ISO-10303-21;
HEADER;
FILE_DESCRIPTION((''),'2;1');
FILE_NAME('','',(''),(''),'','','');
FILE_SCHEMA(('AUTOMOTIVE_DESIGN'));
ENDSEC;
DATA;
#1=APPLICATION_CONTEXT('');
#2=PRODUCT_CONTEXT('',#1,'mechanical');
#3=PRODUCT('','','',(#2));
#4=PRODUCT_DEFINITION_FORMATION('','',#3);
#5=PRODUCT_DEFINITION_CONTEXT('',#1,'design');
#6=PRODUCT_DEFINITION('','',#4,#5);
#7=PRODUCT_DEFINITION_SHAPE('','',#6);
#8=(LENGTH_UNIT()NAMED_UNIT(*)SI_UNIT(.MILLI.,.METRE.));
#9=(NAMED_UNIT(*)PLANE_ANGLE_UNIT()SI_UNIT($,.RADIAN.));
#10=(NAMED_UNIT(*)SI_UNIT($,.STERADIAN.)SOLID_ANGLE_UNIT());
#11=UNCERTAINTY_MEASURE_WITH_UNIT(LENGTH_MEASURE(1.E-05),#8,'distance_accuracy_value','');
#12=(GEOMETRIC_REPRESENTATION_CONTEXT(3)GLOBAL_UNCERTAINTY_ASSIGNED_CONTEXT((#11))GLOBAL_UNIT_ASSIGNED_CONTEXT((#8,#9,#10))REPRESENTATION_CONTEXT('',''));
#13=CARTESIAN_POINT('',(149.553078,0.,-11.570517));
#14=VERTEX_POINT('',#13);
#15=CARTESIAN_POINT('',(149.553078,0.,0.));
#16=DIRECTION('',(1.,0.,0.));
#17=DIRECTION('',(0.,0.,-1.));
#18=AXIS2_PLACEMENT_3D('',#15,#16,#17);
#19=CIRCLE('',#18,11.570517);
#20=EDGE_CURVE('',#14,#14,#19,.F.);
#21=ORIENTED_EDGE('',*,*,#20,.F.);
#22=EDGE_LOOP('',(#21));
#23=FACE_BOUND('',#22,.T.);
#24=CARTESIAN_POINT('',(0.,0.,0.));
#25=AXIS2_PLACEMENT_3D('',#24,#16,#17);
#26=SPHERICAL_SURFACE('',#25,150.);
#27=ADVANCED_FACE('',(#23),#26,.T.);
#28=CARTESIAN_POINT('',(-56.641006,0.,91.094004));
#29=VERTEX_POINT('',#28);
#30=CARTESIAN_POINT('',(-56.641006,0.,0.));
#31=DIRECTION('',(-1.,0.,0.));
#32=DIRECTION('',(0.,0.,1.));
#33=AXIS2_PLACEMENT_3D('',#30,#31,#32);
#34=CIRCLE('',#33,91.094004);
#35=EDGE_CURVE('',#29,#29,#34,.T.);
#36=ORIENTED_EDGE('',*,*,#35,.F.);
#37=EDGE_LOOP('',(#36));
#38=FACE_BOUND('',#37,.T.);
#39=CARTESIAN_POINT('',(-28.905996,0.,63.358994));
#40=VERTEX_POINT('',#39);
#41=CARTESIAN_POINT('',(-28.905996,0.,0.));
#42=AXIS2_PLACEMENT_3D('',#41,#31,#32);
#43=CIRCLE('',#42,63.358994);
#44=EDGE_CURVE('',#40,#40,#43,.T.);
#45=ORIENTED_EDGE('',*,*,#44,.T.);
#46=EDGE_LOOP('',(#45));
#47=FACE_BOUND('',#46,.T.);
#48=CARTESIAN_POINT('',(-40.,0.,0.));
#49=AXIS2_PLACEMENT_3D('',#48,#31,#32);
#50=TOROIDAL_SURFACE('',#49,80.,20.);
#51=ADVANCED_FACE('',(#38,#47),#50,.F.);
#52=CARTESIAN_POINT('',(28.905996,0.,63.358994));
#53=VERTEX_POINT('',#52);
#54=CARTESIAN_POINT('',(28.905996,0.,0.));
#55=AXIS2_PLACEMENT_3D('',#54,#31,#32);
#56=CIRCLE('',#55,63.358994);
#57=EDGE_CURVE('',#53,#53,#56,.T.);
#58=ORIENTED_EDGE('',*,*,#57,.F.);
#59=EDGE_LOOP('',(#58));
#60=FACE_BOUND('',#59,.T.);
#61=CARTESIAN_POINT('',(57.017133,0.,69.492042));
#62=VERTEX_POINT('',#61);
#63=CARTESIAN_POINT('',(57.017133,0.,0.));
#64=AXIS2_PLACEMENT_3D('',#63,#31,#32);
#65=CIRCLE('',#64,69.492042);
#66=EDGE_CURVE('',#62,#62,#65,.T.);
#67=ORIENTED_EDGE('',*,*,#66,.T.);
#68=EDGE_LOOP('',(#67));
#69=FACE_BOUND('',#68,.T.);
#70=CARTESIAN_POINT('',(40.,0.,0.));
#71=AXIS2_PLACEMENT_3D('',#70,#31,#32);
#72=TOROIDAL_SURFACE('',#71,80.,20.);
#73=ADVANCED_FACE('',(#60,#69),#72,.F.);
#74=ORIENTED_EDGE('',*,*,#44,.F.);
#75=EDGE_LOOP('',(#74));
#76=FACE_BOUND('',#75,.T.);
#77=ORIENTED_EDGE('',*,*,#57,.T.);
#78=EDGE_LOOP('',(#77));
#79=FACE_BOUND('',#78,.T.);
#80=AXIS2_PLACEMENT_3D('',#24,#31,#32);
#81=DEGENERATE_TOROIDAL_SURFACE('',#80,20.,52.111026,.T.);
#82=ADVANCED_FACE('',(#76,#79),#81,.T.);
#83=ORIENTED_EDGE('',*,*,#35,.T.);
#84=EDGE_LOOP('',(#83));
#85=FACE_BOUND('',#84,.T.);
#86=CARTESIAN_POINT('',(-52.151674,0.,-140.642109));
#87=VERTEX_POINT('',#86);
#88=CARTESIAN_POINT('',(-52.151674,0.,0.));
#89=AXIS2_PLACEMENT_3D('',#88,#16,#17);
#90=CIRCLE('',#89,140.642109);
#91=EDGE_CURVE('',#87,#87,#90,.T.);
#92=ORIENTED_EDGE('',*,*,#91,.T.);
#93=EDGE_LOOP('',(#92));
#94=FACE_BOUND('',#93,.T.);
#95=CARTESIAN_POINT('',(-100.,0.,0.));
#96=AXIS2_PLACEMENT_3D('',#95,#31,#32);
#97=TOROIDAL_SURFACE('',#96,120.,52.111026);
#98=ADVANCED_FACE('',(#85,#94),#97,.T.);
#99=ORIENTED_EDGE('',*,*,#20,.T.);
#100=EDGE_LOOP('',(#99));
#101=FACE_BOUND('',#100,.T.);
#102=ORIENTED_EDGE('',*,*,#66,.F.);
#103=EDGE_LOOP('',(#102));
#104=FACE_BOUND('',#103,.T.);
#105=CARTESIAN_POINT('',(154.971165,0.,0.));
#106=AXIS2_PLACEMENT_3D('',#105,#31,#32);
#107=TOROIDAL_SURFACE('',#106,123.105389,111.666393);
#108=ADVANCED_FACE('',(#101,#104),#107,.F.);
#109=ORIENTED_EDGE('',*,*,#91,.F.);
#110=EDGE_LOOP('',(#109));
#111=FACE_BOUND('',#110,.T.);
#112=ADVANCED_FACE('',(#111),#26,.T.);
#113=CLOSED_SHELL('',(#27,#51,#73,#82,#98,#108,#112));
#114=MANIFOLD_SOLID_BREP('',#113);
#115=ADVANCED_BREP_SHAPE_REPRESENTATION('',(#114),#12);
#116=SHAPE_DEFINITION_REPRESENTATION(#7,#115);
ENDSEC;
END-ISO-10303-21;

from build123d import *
from build123d.topology import SkipClean

# Parameters (mm, degrees)
SKETCH_3_R = 111.666392741


with BuildPart() as part:
    # 草圖1 → 旋轉1 (revolve)
    with BuildSketch(Plane.XY):
        with BuildLine():
            Line((0, 150), (0, -150))
            ThreePointArc((0, -150), (150, 0), (0, 150))
        make_face()
    revolve(axis=Axis((0, 150, 0), (0, -1, 0)))

    # 草圖2 → 除料-旋轉1 (revolve, cut)
    with SkipClean():  # the faces are left unmerged after this step: merging them gives an invalid solid
        with BuildSketch(Plane.XY, mode=Mode.PRIVATE) as cut_revolve_1_sk:
            with BuildLine():
                ThreePointArc((56.641005887, 148.905996075), (47.888974491, 120), (56.641005887, 91.094003925))
                ThreePointArc((56.641005887, 91.094003925), (54.142135624, 65.857864376), (28.905996075, 63.358994113))
                ThreePointArc((28.905996075, 63.358994113), (0, 72.111025509), (-28.905996075, 63.358994113))
                ThreePointArc((-28.905996075, 63.358994113), (-54.142135624, 65.857864376), (-56.641005887, 91.094003925))
                ThreePointArc((-56.641005887, 91.094003925), (-47.888974491, 120), (-56.641005887, 148.905996075))
                ThreePointArc((-56.641005887, 148.905996075), (-54.142135624, 174.142135624), (-28.905996075, 176.641005887))
                ThreePointArc((-28.905996075, 176.641005887), (0, 167.888974491), (28.905996075, 176.641005887))
                ThreePointArc((28.905996075, 176.641005887), (54.142135624, 174.142135624), (56.641005887, 148.905996075))
            make_face()
        revolve(cut_revolve_1_sk.sketch.rotate(Axis((0, 0, 0), (1, 0, 0)), 90), axis=Axis((0, 0, 0), (1, 0, 0)), mode=Mode.SUBTRACT)

    # 草圖3 → 除料-旋轉4 (revolve, cut)
    with SkipClean():  # the faces are left unmerged after this step: merging them gives an invalid solid
        with BuildSketch(Plane.XY, mode=Mode.PRIVATE) as cut_revolve_4_sk:
            with Locations((154.97116456, 123.10538907)):
                Circle(SKETCH_3_R)
        revolve(cut_revolve_4_sk.sketch.rotate(Axis((0, 0, 0), (1, 0, 0)), 90), axis=Axis((0, 0, 0), (1, 0, 0)), mode=Mode.SUBTRACT)


solid = part.part
